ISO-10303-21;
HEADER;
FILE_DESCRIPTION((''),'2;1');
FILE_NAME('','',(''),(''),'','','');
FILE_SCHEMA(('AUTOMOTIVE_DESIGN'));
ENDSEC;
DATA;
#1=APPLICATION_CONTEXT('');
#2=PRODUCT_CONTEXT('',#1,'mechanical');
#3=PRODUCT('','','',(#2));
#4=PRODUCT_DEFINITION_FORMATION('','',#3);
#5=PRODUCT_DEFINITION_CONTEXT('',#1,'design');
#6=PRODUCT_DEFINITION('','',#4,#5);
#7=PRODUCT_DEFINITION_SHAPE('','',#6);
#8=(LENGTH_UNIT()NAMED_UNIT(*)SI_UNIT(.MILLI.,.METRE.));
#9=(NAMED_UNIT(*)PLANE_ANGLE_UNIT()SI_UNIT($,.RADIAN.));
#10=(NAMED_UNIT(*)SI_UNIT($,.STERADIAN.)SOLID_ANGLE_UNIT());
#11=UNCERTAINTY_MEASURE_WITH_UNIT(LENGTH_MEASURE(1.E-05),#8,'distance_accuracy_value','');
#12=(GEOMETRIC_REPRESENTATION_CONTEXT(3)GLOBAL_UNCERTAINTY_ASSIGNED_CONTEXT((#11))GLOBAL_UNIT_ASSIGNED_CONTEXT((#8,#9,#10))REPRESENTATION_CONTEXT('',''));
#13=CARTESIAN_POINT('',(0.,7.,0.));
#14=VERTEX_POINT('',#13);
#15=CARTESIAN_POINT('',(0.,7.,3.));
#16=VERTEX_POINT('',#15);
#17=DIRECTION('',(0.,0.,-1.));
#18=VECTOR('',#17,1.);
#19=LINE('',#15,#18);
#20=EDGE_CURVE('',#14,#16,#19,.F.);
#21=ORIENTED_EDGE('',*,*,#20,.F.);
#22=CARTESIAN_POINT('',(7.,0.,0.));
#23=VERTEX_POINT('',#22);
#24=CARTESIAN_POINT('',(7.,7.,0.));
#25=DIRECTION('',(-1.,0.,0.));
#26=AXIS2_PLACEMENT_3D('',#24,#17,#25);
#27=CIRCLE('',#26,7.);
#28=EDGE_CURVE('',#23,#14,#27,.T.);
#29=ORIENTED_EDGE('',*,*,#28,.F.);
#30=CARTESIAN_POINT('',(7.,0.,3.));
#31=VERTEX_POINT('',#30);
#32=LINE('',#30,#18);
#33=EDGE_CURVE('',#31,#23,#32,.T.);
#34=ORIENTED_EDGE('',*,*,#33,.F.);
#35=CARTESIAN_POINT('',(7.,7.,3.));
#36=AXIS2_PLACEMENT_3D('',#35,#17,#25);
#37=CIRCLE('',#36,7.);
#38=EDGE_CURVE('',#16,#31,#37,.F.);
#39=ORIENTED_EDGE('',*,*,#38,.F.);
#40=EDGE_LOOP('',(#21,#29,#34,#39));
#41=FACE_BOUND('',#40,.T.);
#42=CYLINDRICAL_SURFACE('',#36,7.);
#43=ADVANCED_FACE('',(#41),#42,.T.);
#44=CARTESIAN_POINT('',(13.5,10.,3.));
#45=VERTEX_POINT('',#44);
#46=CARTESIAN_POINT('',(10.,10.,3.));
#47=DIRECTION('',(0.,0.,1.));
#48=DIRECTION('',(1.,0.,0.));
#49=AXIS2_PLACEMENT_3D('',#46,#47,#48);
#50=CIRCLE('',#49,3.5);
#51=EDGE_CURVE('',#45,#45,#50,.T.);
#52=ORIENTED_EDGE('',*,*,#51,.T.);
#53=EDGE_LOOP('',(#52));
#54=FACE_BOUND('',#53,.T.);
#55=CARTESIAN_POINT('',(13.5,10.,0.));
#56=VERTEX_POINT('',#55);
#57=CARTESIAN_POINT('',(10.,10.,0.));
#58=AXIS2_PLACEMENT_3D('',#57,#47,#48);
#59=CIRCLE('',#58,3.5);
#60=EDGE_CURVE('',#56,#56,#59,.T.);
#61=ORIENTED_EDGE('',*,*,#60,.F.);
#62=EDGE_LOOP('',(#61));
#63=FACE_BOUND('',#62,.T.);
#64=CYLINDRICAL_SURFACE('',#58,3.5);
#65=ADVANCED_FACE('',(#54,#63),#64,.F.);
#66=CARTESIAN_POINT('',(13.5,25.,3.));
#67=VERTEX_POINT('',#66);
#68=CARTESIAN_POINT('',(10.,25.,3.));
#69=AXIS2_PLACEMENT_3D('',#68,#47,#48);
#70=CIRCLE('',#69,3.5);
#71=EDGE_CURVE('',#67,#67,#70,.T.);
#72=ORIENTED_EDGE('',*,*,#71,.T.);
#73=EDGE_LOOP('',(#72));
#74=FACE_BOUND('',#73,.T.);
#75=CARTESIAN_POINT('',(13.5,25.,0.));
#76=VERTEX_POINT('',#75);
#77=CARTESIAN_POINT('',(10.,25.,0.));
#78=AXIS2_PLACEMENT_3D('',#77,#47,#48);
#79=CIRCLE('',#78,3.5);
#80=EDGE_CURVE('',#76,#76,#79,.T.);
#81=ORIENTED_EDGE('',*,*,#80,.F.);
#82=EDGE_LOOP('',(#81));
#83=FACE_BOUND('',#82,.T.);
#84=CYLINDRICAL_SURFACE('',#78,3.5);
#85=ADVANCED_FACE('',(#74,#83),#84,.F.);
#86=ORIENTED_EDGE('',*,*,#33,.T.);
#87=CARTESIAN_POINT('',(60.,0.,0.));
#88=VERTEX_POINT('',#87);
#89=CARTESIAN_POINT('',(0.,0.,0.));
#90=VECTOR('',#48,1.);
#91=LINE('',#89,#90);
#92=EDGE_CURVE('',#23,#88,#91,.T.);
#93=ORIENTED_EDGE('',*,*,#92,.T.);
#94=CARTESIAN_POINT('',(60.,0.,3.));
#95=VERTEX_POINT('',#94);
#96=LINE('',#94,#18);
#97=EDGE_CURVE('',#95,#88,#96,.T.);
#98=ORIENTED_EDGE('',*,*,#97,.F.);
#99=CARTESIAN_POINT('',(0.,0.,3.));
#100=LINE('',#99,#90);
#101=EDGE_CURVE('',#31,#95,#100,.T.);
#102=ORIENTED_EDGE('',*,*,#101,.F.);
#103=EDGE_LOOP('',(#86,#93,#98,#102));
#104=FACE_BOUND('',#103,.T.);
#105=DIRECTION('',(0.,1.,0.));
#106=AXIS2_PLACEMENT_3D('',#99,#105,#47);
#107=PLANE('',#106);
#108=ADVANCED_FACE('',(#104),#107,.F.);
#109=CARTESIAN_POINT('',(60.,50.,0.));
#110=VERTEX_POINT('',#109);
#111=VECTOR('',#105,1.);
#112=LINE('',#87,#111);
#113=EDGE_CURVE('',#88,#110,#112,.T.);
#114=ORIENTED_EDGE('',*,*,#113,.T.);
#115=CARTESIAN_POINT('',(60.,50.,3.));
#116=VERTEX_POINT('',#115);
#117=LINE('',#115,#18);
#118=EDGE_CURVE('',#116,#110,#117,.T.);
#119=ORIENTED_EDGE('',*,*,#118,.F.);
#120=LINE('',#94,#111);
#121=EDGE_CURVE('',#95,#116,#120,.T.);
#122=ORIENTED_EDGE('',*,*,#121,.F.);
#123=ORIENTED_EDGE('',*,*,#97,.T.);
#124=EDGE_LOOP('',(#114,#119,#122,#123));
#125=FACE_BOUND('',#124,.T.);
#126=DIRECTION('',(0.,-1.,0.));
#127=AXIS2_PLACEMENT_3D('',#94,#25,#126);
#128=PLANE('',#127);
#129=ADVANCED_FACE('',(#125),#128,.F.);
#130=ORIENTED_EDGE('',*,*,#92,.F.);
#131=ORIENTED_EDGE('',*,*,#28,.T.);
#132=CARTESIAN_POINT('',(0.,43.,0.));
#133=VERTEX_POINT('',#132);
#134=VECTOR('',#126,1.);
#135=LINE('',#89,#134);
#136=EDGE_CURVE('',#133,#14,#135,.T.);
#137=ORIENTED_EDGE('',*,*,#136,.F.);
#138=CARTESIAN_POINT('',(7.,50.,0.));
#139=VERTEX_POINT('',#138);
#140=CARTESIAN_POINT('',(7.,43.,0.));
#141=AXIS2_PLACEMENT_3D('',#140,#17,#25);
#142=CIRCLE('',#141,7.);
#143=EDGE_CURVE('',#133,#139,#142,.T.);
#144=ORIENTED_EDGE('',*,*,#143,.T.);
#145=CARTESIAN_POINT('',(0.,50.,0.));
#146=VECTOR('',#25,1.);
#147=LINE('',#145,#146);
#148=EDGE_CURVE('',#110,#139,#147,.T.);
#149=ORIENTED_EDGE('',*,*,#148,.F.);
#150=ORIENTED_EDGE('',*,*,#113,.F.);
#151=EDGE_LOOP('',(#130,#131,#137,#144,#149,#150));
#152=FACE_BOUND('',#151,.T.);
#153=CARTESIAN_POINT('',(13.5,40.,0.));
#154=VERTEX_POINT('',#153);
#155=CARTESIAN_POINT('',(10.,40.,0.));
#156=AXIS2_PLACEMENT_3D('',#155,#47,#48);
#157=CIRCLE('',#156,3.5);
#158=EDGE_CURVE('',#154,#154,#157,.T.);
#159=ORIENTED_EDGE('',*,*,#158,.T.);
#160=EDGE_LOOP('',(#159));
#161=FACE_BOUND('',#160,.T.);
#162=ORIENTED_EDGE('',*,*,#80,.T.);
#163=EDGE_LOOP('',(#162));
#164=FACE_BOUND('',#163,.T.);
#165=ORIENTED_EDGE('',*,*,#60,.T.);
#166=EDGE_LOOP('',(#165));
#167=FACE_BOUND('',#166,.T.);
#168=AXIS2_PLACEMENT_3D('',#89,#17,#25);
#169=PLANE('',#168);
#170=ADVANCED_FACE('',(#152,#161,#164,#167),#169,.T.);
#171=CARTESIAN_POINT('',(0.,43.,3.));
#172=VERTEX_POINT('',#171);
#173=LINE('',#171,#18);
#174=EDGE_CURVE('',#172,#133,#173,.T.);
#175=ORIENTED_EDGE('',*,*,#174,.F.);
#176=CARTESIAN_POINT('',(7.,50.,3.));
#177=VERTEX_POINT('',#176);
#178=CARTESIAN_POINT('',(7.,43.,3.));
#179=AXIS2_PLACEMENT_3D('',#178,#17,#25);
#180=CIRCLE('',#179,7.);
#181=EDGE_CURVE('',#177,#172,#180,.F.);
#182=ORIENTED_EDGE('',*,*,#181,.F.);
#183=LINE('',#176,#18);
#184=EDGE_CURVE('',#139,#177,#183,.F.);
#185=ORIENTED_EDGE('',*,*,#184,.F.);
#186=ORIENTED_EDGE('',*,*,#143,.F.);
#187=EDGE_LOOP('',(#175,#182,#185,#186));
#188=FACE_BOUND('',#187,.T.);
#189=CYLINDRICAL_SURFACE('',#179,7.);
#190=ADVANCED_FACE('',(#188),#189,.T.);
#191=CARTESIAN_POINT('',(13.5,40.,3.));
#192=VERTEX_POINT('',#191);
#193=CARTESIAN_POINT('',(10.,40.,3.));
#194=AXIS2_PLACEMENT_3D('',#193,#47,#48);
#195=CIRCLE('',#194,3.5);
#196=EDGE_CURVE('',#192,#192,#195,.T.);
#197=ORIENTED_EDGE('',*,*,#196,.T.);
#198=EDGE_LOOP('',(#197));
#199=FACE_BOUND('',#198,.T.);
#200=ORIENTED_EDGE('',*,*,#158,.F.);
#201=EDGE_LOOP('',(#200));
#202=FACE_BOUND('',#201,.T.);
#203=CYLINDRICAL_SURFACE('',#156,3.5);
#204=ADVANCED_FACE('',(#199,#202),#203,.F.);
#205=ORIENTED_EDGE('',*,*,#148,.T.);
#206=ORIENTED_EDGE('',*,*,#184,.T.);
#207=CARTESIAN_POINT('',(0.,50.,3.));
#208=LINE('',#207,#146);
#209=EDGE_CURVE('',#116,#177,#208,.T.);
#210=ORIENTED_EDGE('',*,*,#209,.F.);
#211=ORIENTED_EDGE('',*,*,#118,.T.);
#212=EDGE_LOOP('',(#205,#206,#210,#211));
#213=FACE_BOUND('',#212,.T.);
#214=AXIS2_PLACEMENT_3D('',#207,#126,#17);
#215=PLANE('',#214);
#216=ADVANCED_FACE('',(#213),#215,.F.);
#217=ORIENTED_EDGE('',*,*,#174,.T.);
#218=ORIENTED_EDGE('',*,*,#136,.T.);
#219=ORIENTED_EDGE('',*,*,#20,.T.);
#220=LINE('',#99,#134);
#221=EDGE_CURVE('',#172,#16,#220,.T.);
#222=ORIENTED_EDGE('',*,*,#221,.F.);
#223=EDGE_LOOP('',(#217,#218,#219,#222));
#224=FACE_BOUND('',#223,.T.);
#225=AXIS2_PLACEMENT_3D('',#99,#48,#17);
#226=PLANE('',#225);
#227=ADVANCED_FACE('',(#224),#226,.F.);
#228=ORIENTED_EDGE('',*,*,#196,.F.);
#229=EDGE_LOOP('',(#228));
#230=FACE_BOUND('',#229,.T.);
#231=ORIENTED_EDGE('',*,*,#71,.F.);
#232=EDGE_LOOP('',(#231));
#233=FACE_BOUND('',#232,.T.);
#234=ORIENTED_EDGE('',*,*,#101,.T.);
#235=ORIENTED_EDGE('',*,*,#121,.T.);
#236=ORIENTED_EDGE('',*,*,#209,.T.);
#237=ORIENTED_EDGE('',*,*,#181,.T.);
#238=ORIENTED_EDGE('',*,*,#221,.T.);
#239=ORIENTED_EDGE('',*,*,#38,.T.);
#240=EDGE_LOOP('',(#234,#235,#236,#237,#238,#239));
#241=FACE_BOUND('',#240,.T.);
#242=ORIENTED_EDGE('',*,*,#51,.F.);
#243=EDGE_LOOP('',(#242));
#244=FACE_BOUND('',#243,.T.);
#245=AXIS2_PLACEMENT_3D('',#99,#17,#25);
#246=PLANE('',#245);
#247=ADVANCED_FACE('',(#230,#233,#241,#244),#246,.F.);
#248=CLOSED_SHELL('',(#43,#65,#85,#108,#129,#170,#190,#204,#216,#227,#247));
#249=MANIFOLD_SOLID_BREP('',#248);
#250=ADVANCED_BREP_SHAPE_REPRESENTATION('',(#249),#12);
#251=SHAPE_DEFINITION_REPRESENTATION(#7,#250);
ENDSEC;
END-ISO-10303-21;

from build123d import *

# Parameters (mm, degrees)
ESQUISSE1_W             = 60
ESQUISSE1_H             = 50
BOSS_EXTRU_1_DEPTH      = 3
ESQUISSE2_R             = 3.5
ENL_V_MAT_EXTRU_1_DEPTH = 3
CONG_1_R                = 7


with BuildPart() as part:
    # Esquisse1 → Boss.-Extru.1 (new body)
    with BuildSketch(Plane.XY):
        with Locations((30, 25)):
            Rectangle(ESQUISSE1_W, ESQUISSE1_H)
    extrude(amount=BOSS_EXTRU_1_DEPTH)

    # Esquisse2 → Enlèv. mat.-Extru.1 (cut)
    with BuildSketch(Plane.XY.offset(3)):
        with Locations((10, 10)):
            Circle(ESQUISSE2_R)
        with Locations((10, 25)):
            Circle(ESQUISSE2_R)
        with Locations((10, 40)):
            Circle(ESQUISSE2_R)
    extrude(amount=-ENL_V_MAT_EXTRU_1_DEPTH, mode=Mode.SUBTRACT)

    # Congé1
    cong_1_edges = [part.edges().sort_by_distance(p)[0] for p in [
        (0, 50, 1.5),
        (0, 0, 1.5),
    ]]
    fillet(cong_1_edges, radius=CONG_1_R)


solid = part.part
